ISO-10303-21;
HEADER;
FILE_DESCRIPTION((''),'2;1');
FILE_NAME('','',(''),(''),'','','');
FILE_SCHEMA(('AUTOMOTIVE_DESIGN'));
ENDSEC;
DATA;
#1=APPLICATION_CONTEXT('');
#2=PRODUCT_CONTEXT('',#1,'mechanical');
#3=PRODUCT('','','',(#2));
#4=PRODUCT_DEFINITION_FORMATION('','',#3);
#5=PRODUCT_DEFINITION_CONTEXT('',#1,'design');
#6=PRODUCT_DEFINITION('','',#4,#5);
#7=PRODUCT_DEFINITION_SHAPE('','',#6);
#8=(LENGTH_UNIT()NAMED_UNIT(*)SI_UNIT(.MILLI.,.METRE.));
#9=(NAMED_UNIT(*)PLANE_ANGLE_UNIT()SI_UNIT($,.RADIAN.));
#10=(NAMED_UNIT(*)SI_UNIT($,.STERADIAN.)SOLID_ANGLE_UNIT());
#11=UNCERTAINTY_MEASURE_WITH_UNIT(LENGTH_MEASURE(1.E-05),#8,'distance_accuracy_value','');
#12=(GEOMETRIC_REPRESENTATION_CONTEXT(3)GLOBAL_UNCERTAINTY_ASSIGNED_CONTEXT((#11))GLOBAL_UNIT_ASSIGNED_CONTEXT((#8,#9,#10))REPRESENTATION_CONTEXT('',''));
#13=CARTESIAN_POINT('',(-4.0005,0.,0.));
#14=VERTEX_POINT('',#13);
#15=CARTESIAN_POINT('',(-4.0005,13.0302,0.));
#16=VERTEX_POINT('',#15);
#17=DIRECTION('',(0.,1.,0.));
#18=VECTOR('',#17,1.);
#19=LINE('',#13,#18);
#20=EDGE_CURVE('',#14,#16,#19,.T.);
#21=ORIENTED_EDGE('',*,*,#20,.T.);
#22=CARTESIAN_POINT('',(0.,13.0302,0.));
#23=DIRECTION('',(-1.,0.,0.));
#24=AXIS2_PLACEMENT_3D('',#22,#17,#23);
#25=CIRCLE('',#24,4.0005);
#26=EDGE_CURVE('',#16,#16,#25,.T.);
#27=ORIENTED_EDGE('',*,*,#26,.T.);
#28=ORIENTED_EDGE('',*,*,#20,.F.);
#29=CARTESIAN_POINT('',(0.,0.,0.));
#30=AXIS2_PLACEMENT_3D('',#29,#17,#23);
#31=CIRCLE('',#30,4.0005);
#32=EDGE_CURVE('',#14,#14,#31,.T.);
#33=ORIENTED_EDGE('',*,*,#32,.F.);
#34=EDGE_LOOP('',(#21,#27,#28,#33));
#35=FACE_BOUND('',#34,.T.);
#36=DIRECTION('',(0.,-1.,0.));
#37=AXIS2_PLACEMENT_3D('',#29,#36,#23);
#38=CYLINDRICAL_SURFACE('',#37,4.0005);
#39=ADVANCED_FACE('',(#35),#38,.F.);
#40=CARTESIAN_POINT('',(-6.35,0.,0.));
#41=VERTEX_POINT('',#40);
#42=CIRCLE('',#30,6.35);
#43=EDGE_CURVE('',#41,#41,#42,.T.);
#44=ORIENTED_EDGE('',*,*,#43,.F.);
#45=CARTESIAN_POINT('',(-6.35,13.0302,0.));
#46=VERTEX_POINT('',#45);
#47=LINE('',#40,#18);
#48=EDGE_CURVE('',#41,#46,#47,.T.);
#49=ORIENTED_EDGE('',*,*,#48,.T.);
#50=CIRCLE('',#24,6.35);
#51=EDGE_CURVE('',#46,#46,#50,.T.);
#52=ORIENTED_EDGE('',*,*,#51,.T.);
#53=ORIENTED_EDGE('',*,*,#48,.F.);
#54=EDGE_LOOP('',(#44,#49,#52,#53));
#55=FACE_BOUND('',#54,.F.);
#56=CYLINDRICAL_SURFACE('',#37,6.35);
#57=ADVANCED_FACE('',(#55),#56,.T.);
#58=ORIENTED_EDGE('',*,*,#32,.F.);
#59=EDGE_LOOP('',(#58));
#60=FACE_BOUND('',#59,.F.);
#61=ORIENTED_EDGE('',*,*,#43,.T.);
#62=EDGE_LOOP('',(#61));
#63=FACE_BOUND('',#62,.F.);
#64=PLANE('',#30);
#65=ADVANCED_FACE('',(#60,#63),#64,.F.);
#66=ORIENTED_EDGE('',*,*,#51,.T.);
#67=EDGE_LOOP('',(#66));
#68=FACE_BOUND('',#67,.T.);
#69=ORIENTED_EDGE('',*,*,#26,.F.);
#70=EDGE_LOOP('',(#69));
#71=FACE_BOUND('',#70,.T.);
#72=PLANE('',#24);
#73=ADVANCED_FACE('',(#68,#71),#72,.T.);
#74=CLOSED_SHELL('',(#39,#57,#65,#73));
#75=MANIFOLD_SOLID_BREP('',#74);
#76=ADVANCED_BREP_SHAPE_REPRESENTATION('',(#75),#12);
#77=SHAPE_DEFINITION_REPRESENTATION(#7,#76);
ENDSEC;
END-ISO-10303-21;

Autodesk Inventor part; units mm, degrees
ref_plane "YZ Plane" through (0, 0, 0) normal (1, 0, 0) x (0, 1, 0)
ref_plane "XZ Plane" through (0, 0, 0) normal (0, 1, 0) x (-1, 0, 0)
ref_plane "XY Plane" through (0, 0, 0) normal (0, 0, 1) x (1, 0, 0)
sketch "Sketch1" plane through (0, 0, 0) normal (0, 1, 0) x (-1, 0, 0)
  circle A0 centre (0, 0) radius 4.0005
  circle A1 centre (0, 0) radius 6.35
  dimension "d0" = 8.001
  dimension "d1" = 12.7
extrude "Extrusion1" add sketch "Sketch1" along normal blind 13.0302
properties part number "INTK_006_Spacer6" material "Aluminum 6061"
